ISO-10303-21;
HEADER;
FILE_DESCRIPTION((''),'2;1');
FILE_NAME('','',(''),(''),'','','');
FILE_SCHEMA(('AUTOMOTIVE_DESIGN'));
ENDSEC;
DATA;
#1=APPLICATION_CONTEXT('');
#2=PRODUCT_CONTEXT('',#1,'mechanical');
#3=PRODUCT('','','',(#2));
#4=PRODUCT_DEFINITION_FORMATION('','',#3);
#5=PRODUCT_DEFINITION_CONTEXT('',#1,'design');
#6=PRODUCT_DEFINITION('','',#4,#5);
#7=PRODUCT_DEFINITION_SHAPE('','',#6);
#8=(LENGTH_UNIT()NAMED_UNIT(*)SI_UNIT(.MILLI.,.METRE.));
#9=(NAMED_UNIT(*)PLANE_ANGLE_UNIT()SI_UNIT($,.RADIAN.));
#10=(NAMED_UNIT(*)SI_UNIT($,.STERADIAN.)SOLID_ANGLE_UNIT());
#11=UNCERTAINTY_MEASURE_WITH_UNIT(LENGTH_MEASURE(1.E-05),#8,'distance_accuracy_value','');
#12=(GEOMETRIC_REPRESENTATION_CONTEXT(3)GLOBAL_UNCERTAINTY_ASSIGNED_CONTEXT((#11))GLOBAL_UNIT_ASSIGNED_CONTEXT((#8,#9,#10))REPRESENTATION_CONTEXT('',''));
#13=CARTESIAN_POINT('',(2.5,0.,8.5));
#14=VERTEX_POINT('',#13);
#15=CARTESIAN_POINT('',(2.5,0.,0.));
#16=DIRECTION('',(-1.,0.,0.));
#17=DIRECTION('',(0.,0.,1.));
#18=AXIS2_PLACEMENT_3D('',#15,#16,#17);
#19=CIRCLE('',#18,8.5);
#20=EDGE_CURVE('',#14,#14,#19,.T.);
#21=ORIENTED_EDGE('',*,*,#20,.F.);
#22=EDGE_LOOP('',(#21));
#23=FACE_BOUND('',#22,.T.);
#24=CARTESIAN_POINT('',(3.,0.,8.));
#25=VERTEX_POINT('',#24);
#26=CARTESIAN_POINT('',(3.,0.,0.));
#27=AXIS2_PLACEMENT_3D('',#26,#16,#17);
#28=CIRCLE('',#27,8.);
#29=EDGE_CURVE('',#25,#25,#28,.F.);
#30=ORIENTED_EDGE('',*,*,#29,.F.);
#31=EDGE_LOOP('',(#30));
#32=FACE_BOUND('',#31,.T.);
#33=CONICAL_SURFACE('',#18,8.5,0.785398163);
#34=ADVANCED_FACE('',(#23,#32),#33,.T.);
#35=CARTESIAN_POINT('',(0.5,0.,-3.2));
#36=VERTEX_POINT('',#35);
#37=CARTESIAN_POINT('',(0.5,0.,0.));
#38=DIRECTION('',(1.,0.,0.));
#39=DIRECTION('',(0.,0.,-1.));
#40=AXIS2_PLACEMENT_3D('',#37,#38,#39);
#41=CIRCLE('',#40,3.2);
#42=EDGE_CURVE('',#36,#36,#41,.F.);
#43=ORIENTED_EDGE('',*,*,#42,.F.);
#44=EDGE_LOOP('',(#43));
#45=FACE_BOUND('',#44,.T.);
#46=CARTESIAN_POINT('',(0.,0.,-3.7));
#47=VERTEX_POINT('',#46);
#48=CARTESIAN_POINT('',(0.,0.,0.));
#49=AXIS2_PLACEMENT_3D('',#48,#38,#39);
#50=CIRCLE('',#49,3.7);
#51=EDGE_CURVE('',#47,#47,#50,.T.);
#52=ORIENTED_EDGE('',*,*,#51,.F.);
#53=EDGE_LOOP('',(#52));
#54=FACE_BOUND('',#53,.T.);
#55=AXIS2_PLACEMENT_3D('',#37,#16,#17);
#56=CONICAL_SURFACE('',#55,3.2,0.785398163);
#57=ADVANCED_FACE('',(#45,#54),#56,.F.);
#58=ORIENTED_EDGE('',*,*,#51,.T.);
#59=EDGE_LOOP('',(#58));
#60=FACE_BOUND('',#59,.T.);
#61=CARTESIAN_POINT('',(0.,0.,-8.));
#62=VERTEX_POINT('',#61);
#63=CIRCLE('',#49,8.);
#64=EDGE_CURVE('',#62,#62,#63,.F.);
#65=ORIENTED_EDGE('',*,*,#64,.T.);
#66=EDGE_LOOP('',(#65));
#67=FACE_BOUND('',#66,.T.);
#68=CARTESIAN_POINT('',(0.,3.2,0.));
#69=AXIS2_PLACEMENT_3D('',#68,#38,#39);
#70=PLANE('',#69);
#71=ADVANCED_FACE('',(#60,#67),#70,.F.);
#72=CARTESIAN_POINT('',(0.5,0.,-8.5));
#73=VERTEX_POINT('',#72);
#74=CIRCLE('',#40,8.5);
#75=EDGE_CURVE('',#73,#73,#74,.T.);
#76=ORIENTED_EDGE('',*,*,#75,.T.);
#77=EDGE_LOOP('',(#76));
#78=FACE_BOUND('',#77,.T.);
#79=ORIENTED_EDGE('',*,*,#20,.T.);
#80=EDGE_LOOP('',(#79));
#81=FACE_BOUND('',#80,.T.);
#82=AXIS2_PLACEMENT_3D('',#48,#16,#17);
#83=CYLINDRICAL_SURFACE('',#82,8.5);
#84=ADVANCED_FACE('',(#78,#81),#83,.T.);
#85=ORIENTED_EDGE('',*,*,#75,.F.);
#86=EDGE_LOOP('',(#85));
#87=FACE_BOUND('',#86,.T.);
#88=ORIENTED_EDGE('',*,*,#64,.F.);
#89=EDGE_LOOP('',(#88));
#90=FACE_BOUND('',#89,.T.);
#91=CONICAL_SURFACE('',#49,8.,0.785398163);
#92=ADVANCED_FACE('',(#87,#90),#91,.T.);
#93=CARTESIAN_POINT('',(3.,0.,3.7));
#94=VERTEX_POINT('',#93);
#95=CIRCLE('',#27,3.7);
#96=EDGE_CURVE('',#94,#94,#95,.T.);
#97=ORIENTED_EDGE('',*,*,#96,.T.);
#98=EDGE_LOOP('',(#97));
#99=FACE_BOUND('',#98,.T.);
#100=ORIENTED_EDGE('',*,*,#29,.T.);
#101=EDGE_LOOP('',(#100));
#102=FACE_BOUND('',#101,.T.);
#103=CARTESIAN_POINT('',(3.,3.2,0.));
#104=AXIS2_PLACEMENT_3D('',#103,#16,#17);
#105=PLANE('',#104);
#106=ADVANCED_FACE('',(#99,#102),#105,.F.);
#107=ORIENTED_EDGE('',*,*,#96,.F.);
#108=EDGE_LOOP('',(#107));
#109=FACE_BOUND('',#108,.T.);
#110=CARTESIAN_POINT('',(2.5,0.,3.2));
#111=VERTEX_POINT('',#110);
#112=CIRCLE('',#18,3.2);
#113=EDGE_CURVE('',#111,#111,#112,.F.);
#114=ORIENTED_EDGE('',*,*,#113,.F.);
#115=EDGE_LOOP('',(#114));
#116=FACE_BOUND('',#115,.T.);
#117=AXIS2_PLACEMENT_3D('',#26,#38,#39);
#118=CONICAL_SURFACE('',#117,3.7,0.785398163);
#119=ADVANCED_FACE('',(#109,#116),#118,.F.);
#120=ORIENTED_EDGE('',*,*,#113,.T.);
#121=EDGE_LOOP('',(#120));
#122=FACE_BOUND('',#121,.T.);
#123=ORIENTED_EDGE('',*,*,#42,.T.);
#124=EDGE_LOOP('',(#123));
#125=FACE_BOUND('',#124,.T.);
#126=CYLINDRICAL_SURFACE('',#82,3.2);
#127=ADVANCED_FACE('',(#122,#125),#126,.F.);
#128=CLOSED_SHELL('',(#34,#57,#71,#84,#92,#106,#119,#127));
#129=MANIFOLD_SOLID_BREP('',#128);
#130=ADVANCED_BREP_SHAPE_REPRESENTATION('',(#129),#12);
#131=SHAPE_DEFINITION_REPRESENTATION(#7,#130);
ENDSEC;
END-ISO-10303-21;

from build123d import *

# Parameters (mm, degrees)
ESQUISSE1_W     = 3
ESQUISSE1_H     = 5.3
CHANFREIN1_SIZE = 0.5


with BuildPart() as part:
    # Esquisse1 → Base-Révolution (revolve)
    with BuildSketch(Plane.XY, mode=Mode.PRIVATE) as base_r_volution_sk:
        with Locations((1.5, 5.85)):
            Rectangle(ESQUISSE1_W, ESQUISSE1_H)
    revolve(base_r_volution_sk.sketch.rotate(Axis((0, 0, 0), (1, 0, 0)), 90), axis=Axis((0, 0, 0), (1, 0, 0)))

    # Chanfrein1
    chanfrein1_edges = [part.edges().sort_by_distance(p)[0] for p in [
        (0, 0, -3.2),
        (3, 0, -3.2),
        (3, 0, -8.5),
        (0, 0, -8.5),
    ]]
    chamfer(chanfrein1_edges, length=CHANFREIN1_SIZE)


solid = part.part
